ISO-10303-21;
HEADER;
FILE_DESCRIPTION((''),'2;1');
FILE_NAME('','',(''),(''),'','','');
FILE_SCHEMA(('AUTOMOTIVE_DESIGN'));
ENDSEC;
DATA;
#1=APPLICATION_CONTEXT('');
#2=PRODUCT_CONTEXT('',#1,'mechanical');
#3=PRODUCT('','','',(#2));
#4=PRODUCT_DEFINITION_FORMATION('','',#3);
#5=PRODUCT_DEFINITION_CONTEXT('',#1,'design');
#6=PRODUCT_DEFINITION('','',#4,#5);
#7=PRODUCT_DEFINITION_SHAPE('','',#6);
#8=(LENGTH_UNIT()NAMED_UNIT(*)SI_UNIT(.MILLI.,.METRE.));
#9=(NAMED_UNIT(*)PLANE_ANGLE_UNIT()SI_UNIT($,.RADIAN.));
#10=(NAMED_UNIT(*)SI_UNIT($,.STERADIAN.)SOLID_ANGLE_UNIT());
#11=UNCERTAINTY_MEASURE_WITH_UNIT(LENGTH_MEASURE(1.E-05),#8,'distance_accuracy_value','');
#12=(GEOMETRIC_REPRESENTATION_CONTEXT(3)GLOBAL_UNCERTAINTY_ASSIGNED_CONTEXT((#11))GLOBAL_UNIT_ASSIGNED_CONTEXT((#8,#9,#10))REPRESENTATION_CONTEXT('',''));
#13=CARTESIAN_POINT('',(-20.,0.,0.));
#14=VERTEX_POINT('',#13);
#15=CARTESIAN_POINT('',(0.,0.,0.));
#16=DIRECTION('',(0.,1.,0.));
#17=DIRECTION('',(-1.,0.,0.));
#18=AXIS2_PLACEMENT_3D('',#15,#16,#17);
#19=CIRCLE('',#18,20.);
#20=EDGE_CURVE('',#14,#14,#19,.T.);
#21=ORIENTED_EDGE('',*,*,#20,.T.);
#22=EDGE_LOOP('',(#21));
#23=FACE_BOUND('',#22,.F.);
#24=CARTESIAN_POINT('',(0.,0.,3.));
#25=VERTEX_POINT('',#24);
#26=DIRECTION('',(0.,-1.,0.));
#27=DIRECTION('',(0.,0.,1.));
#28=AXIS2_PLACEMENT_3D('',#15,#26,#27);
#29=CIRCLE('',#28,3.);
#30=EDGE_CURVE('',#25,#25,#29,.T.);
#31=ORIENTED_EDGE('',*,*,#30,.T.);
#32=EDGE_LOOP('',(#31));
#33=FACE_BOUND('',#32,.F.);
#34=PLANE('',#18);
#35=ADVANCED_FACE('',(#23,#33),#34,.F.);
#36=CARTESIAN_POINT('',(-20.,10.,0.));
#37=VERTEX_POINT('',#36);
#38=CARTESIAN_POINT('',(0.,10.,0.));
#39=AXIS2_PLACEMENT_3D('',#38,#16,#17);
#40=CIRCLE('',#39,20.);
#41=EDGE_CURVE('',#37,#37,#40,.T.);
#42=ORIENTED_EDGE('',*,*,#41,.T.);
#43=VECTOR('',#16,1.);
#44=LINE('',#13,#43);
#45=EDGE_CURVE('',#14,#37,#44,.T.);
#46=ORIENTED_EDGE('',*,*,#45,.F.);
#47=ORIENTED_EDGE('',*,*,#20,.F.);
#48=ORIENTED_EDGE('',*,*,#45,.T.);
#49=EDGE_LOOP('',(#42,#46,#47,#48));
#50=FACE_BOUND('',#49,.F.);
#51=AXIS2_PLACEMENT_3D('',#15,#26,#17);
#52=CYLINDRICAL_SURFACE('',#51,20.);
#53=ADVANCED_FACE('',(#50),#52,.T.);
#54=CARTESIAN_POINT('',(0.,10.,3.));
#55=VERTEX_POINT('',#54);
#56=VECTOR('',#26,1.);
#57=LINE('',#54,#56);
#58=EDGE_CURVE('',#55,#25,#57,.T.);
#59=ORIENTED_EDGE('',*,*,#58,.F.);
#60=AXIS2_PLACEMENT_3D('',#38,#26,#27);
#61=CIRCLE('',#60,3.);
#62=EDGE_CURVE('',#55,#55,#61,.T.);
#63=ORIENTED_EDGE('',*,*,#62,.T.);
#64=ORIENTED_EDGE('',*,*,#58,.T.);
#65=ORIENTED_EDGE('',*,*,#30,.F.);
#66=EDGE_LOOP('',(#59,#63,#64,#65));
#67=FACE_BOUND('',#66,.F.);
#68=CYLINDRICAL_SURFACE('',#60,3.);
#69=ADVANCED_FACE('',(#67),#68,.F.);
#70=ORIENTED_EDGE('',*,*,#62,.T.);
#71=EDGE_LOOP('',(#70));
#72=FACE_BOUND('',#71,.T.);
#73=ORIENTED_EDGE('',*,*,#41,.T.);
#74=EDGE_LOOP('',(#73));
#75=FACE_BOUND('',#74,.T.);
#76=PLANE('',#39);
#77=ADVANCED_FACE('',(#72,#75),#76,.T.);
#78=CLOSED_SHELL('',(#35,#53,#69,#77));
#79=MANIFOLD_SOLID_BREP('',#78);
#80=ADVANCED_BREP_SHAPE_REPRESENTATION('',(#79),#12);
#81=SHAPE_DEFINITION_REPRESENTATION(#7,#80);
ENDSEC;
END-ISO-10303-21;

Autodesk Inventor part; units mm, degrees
ref_plane "YZ Plane" through (0, 0, 0) normal (1, 0, 0) x (0, 1, 0)
ref_plane "XZ Plane" through (0, 0, 0) normal (0, 1, 0) x (-1, 0, 0)
ref_plane "XY Plane" through (0, 0, 0) normal (0, 0, 1) x (1, 0, 0)
sketch "スケッチ1" plane through (0, 0, 0) normal (0, 1, 0) x (-1, 0, 0)
  circle A0 centre (0, 0) radius 20
  dimension "d0" = 40
extrude "押し出し1" add sketch "スケッチ1" along normal blind 10
sketch "スケッチ2" plane through (0, 10, 0) normal (0, 1, 0) x (1, 0, 0)
  circle A0 centre (0, 0) radius 3
  dimension "d3" = 6
hole "穴1" at (0, 10, 0) direction (0, -1, 0) diameter 6 depth 10
equation "\"BendRadius\" = Thickness"
equation "\"BendReliefWidth\" = Thickness"
equation "\"BendReliefDepth\" = 0.5 * Thickness"
equation "\"CornerReliefSize\" = 4 * Thickness"
equation "\"MinimumRemnant\" = 2 * Thickness"
equation "\"TransitionRadius\" = BendRadius"
equation "\"JacobiRadiusSize\" = BendRadius"
equation "\"GapSize\" = Thickness"
equation "\"Thickness\" = 0.5"
